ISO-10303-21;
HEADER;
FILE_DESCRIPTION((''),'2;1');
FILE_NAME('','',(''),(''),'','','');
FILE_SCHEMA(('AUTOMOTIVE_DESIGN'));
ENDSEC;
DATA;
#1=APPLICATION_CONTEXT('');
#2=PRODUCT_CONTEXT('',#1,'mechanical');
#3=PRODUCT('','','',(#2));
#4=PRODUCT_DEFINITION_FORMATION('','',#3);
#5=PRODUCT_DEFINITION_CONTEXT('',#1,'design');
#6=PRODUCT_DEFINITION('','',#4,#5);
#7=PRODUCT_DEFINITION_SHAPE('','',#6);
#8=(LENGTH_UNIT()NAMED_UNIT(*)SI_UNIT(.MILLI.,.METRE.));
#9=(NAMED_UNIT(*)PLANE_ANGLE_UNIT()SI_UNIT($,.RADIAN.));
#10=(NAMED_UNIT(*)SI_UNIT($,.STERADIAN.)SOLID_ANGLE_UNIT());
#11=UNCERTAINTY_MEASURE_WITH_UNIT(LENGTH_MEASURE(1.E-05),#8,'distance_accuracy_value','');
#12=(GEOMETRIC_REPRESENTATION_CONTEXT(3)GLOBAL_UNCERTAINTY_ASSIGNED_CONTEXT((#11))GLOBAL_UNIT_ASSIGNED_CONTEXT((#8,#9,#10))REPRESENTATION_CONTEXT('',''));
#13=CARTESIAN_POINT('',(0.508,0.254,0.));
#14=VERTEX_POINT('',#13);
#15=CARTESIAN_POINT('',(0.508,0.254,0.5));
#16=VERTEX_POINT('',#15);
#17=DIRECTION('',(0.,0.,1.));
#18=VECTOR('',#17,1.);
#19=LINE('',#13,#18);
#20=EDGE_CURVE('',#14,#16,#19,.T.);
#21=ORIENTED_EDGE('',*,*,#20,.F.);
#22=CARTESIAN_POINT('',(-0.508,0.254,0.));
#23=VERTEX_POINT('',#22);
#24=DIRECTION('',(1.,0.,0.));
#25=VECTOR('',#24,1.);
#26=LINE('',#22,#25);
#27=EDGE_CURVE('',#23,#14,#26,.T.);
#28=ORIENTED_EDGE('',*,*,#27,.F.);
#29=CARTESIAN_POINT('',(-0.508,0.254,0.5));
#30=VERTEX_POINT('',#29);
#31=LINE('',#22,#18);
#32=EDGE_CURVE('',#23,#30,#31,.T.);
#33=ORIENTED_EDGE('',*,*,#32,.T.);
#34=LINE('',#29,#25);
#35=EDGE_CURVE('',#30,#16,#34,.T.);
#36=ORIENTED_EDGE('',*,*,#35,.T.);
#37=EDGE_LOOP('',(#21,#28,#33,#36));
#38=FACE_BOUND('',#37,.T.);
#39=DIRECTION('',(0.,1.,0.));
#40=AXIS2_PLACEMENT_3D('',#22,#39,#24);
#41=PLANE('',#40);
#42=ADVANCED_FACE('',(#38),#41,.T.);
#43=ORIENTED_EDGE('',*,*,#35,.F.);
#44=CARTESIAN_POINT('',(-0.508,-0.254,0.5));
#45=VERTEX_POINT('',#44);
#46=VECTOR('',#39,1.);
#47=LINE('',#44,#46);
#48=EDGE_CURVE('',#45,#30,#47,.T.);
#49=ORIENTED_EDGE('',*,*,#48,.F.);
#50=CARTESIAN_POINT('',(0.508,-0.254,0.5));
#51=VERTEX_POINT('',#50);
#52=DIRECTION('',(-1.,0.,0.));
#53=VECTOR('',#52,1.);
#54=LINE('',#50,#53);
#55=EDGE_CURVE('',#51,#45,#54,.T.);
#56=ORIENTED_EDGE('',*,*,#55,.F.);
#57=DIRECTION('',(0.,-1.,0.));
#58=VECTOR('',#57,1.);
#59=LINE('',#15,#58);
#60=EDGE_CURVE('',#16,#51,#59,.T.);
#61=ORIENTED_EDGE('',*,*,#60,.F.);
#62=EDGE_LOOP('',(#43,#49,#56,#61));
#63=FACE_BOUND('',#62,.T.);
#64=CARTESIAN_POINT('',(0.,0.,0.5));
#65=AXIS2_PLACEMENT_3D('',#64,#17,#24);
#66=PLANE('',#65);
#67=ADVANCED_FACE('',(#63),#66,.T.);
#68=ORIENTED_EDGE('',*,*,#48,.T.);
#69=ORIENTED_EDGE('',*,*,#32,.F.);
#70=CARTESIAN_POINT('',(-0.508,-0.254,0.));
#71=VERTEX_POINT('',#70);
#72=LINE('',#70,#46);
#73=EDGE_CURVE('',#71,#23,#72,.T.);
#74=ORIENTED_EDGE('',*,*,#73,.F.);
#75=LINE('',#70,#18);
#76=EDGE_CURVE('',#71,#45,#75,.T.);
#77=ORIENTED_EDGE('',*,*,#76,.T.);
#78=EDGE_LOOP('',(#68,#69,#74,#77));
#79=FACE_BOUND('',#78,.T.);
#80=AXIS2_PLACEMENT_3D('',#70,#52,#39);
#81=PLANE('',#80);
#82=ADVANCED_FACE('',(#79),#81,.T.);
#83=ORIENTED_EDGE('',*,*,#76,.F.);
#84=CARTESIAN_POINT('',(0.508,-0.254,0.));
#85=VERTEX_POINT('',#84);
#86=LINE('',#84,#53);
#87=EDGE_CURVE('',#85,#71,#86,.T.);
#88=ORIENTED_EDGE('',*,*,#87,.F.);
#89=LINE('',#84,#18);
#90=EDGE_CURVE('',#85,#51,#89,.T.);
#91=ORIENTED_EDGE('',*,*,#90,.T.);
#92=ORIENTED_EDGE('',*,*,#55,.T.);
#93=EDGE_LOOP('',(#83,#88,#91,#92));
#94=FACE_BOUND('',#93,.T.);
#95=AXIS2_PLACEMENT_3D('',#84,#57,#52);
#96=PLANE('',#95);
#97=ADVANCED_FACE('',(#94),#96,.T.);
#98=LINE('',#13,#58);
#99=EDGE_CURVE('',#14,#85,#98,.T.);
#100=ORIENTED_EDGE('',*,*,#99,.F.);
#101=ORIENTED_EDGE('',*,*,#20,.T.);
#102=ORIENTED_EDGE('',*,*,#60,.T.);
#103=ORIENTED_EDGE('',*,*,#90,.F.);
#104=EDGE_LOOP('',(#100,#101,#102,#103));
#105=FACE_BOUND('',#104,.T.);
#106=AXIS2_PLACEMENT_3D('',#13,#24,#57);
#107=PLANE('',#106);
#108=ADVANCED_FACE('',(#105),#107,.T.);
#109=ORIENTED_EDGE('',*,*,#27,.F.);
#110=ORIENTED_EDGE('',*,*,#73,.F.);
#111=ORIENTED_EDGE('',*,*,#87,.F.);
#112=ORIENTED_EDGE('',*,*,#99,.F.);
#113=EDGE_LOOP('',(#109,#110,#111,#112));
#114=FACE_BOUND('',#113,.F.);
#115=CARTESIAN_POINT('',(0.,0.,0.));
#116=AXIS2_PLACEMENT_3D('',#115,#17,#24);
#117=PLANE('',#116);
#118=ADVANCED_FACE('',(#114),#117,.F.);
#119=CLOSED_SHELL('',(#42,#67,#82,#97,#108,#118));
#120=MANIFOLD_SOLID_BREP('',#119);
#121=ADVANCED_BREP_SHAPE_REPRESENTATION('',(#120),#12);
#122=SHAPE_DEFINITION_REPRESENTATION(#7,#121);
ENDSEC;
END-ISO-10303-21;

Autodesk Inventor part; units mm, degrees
ref_plane "YZ Plane" through (0, 0, 0) normal (1, 0, 0) x (0, 1, 0)
ref_plane "XZ Plane" through (0, 0, 0) normal (0, 1, 0) x (-1, 0, 0)
ref_plane "XY Plane" through (0, 0, 0) normal (0, 0, 1) x (1, 0, 0)
sketch "C0402, 22pF_231" plane through (0, 0, 0) normal (0, 0, 1) x (1, 0, 0)
  line L0 (0.508, 0.254) -> (0.508, -0.254)
  line L1 (0.508, -0.254) -> (-0.508, -0.254)
  line L2 (-0.508, -0.254) -> (-0.508, 0.254)
  line L3 (-0.508, 0.254) -> (0.508, 0.254)
extrude "Extrusion1" add sketch "C0402, 22pF_231" along normal blind 0.5
properties part number "22pF"
